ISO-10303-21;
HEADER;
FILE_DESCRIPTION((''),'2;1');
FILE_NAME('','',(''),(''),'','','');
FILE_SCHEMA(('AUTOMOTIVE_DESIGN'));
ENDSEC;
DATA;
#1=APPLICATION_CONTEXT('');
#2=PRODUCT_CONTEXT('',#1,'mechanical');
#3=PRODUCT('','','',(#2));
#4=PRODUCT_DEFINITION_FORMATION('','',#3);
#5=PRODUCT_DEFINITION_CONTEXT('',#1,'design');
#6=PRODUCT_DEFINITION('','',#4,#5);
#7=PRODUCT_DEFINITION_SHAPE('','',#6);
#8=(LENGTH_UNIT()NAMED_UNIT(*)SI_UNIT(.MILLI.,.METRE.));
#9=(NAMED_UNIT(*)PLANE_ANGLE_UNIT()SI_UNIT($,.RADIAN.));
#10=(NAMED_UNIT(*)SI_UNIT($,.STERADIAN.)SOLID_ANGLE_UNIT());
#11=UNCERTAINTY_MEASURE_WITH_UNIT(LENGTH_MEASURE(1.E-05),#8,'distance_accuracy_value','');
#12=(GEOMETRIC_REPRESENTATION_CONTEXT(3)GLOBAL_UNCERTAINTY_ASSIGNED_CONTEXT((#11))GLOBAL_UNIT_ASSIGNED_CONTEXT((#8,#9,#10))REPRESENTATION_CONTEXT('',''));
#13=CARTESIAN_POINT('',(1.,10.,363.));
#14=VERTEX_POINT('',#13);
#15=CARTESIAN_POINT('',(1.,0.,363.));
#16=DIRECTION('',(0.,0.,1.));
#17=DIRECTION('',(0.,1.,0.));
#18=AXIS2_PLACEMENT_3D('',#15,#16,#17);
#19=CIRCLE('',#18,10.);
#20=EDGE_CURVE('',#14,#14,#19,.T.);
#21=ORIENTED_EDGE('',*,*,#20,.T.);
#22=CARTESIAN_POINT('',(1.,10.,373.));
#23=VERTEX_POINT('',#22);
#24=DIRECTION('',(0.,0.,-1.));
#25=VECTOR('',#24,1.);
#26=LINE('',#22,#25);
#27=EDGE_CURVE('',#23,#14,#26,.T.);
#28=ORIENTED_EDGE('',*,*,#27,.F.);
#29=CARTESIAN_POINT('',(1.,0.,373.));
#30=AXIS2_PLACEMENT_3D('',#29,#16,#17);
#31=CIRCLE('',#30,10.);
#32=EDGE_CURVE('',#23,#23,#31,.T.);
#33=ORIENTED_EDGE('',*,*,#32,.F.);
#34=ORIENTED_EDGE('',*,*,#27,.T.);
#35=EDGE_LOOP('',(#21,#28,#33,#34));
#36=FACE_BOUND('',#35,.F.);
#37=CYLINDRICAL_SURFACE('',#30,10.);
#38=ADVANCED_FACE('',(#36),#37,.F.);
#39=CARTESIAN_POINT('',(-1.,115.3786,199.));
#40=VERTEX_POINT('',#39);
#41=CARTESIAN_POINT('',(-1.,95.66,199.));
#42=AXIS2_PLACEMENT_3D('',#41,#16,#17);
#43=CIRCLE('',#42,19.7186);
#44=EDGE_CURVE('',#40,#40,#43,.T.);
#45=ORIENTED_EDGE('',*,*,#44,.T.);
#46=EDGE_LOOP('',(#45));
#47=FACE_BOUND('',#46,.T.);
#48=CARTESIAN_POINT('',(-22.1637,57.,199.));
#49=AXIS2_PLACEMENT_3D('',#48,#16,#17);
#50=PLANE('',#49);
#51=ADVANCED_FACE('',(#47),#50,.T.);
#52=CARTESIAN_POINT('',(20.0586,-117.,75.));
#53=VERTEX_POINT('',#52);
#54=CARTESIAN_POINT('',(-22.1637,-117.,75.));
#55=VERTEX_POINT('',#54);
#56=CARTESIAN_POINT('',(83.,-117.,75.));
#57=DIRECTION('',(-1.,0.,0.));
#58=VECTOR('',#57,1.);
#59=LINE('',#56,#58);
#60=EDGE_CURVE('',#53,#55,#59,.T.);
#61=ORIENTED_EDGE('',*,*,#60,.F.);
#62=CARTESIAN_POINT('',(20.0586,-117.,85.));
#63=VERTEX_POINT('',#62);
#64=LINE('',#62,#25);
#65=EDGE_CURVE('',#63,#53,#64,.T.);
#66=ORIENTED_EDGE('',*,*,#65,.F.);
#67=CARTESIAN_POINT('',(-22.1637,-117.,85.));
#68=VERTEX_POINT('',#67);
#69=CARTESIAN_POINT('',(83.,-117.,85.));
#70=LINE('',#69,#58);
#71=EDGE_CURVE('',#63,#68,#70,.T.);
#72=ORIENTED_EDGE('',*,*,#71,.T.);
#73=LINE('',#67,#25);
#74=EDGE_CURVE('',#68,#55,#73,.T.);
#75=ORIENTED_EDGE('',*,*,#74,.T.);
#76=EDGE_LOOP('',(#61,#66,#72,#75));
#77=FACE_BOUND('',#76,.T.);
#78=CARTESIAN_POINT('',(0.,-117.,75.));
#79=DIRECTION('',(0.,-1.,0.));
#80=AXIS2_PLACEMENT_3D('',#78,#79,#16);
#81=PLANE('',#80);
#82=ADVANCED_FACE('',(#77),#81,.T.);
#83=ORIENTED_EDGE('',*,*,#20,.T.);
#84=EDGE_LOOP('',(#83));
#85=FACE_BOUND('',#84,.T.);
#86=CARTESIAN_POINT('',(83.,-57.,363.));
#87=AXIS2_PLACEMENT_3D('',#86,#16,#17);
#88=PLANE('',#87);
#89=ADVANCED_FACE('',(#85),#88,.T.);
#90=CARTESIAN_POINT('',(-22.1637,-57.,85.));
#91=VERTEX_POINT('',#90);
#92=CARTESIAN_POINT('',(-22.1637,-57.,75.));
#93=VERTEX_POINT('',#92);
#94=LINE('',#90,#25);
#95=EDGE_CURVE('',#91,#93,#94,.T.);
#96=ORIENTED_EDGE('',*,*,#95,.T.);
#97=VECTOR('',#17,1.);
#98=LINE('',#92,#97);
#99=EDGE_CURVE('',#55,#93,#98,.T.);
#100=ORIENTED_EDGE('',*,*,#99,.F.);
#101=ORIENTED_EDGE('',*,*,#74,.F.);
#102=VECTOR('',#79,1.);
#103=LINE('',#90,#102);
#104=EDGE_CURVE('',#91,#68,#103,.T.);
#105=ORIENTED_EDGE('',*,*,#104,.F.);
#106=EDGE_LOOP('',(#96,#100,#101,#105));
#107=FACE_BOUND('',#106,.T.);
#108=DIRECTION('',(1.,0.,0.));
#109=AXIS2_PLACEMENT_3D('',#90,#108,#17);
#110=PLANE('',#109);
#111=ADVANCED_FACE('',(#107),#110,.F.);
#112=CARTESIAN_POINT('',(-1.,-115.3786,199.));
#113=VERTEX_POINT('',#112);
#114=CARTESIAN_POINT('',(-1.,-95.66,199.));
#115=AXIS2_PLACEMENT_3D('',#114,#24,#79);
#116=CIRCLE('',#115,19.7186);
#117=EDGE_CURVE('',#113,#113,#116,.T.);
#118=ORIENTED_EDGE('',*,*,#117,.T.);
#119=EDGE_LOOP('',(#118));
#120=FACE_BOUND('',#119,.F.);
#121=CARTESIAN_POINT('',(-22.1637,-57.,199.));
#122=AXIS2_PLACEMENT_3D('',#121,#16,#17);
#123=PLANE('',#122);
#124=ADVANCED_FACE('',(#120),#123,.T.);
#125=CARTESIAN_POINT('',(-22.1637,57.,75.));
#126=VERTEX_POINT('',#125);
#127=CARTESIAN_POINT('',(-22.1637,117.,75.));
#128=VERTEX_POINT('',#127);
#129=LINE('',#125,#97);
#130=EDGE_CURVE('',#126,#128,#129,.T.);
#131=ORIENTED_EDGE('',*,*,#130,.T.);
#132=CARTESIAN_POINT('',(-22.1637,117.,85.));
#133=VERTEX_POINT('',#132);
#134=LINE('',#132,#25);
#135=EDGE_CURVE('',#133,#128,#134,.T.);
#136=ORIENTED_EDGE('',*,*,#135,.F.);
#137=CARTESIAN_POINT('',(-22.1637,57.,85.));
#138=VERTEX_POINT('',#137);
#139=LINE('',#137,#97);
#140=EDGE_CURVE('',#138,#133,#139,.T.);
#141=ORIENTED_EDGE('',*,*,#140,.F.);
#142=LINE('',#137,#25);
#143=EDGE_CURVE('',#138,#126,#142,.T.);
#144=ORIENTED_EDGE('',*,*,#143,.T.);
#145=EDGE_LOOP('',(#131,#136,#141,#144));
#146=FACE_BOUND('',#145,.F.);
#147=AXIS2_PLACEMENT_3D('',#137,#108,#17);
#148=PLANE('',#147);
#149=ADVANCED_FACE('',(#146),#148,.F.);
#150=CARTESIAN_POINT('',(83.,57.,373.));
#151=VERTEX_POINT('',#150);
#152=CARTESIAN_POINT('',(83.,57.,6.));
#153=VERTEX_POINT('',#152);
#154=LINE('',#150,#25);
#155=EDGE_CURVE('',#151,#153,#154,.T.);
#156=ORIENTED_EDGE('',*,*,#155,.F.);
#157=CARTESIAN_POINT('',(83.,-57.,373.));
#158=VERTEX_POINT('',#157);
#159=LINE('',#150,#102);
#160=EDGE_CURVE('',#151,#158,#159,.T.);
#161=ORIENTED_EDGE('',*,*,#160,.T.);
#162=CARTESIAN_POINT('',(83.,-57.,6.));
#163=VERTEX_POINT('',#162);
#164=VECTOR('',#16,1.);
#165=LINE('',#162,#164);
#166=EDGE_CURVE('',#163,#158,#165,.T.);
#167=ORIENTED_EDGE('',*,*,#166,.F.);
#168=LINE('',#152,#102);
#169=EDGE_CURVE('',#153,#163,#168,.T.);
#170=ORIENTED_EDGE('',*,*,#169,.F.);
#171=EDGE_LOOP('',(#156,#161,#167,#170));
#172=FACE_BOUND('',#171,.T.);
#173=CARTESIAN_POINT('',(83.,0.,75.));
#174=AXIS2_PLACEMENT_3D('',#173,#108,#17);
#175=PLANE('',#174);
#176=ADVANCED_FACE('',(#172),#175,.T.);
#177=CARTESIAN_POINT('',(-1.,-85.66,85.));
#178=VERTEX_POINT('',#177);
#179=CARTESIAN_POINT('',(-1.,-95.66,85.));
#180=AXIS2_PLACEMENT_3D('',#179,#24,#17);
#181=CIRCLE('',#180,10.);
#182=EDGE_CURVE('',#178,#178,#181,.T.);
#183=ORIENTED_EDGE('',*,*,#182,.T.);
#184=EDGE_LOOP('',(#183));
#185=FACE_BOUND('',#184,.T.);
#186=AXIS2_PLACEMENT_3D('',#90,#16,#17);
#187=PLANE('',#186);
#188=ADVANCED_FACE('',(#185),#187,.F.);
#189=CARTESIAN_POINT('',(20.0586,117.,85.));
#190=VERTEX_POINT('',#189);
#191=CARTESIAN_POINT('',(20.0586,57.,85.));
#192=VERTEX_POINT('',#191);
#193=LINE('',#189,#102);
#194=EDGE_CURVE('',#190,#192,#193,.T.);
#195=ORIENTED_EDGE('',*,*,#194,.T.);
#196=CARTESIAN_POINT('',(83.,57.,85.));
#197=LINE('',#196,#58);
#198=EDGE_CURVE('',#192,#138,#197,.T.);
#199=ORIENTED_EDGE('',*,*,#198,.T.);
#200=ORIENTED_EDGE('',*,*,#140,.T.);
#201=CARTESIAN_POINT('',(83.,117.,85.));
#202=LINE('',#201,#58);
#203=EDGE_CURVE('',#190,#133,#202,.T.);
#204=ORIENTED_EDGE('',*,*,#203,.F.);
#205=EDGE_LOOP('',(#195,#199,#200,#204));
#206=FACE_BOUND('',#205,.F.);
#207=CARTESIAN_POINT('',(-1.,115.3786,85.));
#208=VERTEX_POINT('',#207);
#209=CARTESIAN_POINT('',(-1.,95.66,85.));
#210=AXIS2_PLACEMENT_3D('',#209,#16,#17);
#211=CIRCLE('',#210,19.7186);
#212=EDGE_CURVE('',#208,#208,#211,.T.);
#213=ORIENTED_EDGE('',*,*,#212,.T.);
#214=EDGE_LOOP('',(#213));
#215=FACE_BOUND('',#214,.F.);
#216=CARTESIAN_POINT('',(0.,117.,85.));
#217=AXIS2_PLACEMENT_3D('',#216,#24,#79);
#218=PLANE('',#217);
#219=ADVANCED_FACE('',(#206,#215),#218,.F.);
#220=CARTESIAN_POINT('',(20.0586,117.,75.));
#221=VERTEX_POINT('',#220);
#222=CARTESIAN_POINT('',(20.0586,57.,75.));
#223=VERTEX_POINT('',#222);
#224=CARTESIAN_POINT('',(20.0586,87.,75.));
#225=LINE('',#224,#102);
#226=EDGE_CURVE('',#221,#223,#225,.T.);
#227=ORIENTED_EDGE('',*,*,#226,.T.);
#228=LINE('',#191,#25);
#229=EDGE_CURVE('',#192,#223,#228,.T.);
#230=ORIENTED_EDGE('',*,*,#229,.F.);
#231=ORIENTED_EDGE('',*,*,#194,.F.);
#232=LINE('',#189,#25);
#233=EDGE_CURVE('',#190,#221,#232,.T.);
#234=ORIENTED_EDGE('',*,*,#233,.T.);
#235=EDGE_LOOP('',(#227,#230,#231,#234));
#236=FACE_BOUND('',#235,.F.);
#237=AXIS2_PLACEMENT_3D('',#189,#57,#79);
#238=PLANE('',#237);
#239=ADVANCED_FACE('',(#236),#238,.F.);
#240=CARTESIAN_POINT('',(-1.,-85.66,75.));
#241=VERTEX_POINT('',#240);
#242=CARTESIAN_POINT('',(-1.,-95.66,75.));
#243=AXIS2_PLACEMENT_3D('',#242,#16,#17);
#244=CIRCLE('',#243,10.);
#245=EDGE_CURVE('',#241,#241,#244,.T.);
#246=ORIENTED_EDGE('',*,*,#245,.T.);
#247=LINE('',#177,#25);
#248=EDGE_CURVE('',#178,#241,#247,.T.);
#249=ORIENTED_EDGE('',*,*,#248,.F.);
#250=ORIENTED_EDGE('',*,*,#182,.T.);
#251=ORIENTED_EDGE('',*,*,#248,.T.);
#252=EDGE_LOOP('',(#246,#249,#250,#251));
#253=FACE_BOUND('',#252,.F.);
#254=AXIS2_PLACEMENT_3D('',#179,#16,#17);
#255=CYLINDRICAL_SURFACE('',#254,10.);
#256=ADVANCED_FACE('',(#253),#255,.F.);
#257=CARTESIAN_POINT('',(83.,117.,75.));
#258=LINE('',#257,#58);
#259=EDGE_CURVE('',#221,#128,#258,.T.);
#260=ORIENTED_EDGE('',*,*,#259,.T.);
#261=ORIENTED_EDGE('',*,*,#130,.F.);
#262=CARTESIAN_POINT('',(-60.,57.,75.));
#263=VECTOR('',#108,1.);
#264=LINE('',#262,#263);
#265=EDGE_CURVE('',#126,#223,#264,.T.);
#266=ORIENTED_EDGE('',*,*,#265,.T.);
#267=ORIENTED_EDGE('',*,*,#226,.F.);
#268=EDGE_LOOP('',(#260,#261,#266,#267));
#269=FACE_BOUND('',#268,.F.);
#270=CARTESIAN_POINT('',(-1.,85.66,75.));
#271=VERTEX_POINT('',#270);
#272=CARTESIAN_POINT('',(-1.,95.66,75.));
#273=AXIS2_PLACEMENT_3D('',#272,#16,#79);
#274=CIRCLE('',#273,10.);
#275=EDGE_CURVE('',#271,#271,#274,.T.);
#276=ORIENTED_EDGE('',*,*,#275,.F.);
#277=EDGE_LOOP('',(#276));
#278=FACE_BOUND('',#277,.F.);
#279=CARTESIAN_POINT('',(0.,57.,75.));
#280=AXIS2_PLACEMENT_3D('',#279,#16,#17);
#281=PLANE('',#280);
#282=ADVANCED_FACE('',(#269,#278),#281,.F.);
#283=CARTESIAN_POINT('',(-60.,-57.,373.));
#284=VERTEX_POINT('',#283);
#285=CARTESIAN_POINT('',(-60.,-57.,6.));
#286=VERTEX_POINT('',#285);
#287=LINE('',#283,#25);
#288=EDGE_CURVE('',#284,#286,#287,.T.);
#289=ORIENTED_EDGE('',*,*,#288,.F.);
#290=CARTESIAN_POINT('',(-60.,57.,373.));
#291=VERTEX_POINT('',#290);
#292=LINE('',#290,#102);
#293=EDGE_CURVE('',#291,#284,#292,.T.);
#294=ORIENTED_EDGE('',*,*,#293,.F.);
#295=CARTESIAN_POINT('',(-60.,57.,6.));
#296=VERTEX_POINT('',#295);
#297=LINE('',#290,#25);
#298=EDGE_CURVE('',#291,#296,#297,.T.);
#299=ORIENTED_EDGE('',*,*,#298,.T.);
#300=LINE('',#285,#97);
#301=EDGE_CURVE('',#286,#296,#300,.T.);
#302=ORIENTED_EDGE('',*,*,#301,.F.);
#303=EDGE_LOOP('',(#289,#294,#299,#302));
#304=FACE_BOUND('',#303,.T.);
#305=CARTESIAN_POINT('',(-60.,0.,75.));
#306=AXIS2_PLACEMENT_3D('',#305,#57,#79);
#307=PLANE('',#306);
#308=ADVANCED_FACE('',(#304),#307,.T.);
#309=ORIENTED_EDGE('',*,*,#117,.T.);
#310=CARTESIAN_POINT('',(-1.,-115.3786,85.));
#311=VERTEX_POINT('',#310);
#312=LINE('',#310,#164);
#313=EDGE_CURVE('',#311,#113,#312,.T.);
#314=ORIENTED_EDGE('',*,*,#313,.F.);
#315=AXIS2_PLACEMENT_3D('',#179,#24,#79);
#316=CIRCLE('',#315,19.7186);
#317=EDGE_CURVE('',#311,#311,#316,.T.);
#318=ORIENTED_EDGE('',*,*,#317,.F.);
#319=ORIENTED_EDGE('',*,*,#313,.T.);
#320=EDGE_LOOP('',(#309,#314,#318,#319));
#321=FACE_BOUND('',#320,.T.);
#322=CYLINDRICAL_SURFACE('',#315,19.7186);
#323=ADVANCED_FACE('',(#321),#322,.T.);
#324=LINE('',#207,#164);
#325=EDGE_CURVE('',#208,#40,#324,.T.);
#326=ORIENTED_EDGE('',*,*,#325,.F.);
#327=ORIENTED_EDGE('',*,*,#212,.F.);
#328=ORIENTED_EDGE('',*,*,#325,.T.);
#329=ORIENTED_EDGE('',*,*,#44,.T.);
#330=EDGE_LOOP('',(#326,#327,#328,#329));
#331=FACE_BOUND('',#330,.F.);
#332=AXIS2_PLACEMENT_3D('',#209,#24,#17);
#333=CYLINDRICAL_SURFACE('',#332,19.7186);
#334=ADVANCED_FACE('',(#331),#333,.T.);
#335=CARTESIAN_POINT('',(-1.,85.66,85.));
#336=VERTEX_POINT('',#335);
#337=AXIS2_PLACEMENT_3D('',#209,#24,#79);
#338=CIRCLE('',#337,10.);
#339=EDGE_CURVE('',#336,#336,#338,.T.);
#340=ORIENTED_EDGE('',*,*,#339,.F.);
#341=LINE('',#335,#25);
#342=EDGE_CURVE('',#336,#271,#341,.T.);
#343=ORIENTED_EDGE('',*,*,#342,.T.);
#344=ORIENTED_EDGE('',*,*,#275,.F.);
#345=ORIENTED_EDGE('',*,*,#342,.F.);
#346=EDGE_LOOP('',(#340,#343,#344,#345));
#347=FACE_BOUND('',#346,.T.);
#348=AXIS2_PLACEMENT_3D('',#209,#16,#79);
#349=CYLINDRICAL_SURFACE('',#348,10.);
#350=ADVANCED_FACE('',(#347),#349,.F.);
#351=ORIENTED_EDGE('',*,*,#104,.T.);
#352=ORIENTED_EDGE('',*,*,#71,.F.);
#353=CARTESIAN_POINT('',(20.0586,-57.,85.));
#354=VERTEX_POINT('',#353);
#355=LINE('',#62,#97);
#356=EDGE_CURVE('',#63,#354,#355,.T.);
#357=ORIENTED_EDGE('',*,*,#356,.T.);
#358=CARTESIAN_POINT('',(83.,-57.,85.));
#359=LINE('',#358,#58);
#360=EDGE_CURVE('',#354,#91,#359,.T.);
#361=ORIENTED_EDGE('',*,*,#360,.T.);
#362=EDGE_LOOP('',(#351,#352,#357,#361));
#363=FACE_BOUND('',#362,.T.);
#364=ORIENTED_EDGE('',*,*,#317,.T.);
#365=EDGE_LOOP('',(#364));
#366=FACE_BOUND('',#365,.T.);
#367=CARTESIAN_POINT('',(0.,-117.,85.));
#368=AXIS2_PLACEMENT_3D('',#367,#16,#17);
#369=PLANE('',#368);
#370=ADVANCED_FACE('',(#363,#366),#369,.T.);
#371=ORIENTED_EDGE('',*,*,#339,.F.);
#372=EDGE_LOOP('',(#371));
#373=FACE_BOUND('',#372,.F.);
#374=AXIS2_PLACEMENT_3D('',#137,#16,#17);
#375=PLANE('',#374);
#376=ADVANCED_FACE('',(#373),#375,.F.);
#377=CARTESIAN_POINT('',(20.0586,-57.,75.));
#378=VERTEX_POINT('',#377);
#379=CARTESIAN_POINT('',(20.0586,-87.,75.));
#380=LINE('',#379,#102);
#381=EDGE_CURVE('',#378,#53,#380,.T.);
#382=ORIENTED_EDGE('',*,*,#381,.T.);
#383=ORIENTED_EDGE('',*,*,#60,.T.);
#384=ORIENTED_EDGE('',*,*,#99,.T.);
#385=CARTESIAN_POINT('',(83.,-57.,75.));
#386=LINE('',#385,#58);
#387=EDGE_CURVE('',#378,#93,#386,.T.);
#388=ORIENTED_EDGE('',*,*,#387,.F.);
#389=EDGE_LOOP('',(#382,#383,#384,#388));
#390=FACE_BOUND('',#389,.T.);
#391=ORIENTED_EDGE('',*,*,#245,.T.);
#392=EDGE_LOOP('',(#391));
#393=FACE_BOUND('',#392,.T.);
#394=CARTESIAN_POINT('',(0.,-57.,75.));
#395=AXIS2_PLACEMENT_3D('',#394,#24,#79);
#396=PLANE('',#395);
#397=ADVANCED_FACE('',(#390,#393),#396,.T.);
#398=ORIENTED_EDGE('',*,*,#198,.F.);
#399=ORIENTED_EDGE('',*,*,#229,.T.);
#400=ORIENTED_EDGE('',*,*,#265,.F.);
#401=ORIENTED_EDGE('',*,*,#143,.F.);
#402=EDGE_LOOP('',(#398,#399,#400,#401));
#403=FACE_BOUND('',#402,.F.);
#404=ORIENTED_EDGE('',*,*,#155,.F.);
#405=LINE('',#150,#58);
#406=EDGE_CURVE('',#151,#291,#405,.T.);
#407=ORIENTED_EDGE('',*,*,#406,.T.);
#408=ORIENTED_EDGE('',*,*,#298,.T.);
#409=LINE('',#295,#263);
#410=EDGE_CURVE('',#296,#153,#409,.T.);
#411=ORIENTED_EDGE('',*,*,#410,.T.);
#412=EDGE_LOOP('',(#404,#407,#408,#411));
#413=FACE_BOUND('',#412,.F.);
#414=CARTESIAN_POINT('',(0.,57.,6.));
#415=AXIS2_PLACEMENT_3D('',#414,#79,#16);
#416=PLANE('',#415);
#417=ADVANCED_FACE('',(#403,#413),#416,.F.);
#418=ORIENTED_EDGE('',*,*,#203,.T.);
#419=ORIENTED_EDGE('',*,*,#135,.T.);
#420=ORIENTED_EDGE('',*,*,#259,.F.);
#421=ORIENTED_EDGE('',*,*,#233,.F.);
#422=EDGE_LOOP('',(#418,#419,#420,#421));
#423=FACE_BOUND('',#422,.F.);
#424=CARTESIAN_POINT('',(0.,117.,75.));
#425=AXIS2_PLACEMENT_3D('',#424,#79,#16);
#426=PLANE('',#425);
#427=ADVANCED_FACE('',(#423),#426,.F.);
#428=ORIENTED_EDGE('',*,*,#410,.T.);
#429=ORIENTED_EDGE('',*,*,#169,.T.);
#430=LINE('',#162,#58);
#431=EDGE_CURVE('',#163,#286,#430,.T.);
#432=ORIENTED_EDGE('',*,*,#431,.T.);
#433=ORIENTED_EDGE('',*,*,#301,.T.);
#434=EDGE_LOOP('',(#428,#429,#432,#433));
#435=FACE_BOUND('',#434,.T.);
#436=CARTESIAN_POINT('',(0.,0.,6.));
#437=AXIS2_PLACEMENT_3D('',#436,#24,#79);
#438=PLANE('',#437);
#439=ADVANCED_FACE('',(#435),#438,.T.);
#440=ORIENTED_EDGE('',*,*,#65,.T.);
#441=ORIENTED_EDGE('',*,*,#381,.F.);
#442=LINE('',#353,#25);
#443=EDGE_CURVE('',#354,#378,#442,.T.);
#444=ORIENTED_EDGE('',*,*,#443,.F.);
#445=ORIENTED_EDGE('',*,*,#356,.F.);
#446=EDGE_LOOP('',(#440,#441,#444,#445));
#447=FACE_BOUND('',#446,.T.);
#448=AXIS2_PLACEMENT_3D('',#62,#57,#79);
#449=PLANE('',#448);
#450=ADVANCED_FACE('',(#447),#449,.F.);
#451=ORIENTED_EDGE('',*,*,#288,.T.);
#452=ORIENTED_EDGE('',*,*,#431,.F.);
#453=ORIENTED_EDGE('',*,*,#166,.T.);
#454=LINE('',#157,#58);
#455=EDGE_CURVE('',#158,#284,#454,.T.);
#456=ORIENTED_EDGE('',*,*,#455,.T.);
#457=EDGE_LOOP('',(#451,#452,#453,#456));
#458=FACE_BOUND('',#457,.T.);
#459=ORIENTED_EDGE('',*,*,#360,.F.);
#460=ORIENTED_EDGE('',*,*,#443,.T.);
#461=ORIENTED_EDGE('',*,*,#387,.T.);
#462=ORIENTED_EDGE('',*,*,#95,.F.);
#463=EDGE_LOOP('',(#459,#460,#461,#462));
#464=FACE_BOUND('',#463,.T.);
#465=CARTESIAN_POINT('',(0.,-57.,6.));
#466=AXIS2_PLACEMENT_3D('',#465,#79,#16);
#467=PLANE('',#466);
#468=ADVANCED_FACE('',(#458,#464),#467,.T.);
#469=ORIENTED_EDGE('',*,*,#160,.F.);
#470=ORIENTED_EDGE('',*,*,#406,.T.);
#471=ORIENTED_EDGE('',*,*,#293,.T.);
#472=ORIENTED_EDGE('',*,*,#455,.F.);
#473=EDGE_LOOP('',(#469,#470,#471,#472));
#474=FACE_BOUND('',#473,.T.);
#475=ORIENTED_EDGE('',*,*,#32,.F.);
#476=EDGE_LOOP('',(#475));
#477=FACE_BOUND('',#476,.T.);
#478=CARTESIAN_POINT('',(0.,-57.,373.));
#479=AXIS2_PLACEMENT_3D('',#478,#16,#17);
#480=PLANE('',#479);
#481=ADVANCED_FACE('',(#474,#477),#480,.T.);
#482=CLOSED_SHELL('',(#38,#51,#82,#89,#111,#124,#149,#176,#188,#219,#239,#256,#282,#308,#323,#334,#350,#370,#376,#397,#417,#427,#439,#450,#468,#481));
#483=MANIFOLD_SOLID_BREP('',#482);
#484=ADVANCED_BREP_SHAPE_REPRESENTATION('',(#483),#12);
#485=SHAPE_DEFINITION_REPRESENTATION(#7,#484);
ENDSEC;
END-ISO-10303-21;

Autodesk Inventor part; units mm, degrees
ref_plane "YZ Plane" through (0, 0, 0) normal (1, 0, 0) x (0, 1, 0)
ref_plane "XZ Plane" through (0, 0, 0) normal (0, 1, 0) x (-1, 0, 0)
ref_plane "XY Plane" through (0, 0, 0) normal (0, 0, 1) x (1, 0, 0)
sketch "Sketch1" plane through (0, 0, 0) normal (0, 0, 1) x (1, 0, 0)
  line L0 (0, -69) -> (57, -69)
  line L1 (57, -69) -> (57, 0)
  line L2 (57, 0) -> (117, 0)
  line L3 (117, 0) -> (117, 10)
  line L4 (117, 10) -> (57, 10)
  line L5 (57, 10) -> (57, 298)
  line L6 (57, 298) -> (0, 298)
  line L7 (0, 298) -> (0, -69) construction
  line L8 (0, -69) -> (-57, -69)
  line L9 (-57, -69) -> (-57, 0)
  line L10 (-57, 0) -> (-117, 0)
  line L11 (-117, 0) -> (-117, 10)
  line L12 (-117, 10) -> (-57, 10)
  line L13 (-57, 10) -> (-57, 298)
  line L14 (-57, 298) -> (0, 298)
  point P0 (0, 0)
  dimension "d0" = 57
  dimension "d2" = 10
  dimension "d18" = 367
  dimension "d19" = 117
  dimension "d47" = 69
extrude "Extrusion1" add sketch "Sketch1" along normal blind 83
sketch "Sketch2" plane through (0, 0, 0) normal (0, 0, -1) x (-1, 0, 0)
  line L0 (57, -69) -> (-57, -69) projected
  line L1 (57, 0) -> (57, -69) projected
  line L2 (117, 0) -> (57, 0) projected
  line L3 (117, 10) -> (117, 0) projected
  line L4 (57, 10) -> (117, 10) projected
  line L5 (57, 298) -> (57, 10) projected
  line L6 (-57, 298) -> (57, 298) projected
  line L7 (-57, 10) -> (-57, 298) projected
  line L8 (-117, 10) -> (-57, 10) projected
  line L9 (-117, 0) -> (-117, 10) projected
  line L10 (-57, 0) -> (-117, 0) projected
  line L11 (-57, -69) -> (-57, 0) projected
  point P0 (0, 0)
extrude "Extrusion2" add sketch "Sketch2" along normal blind 60
sketch "Sketch3" plane through (-57, 298, 83) normal (0, 1, 0) x (1, 0, 0)
  circle A0 centre (57, 82) radius 10
  line L0 (0, 143) -> (114, 143) projected
  line L1 (57, 82) -> (57, 143) construction
  dimension "d10" = 20
  dimension "d51" = 61
extrude "Extrusion3" cut sketch "Sketch3" against normal blind 10
sketch "Sketch4" plane through (-117, 10, 83) normal (0, 1, 0) x (1, 0, 0)
  line L0 (0, 143) -> (60, 143) projected
  line L1 (0, 143) -> (0, 0) projected
  line L2 (21.34, 84) -> (21.34, 143)
  line L3 (118.34, 120.2658) -> (118.34, -20.3509) construction
  line L4 (21.34, 84) -> (118.34, 84) construction
  circle A0 centre (21.34, 84) radius 10
  point P0 (117, 83)
  dimension "d21" = 59
  dimension "d23" = 97
  dimension "d24" = 20
extrude "Extrusion4" cut sketch "Sketch4" against normal through all
mirror "Mirror1" about plane through (0, 0, 0) normal (1, 0, 0) of "Extrusion4"
sketch "Sketch5" plane through (57, 10, 83) normal (0, 1, 0) x (1, 0, 0)
  line L0 (0, 143) -> (0, 0) projected
  line L1 (60, 143) -> (60, 0) projected
  line L2 (60, 143) -> (0, 143)
  line L3 (0, 143) -> (0, 105.1637)
  line L4 (0, 105.1637) -> (60, 105.1637)
  line L5 (60, 105.1637) -> (60, 143)
  line L6 (0, 0) -> (60, 0)
  line L7 (60, 0) -> (60, 62.9414)
  line L8 (60, 62.9414) -> (0, 62.9414)
  line L9 (0, 62.9414) -> (0, 0)
  point P0 (-57, 83)
extrude "Extrusion5" cut sketch "Sketch5" against normal through all contours L2 L1 L4 L0 | L8 L1 L6 L0
mirror "Mirror2" about plane through (0, 0, 0) normal (1, 0, 0) of "Extrusion5"
sketch "Sketch6" plane through (57, 10, -22.1637) normal (0, 1, 0) x (1, 0, 0)
  circle A0 centre (38.66, -21.1637) radius 10 projected
  circle A1 centre (38.66, -21.1637) radius 19.7186
  point P0 (-57, -22.1637)
extrude "Extrusion6" add sketch "Sketch6" along normal blind 114 contours A0 | A1
mirror "Mirror3" about plane through (0, 0, 0) normal (1, 0, 0) of "Extrusion6"
move or copy body "Move Body3" bodies to move or copy 1 copy no rotation origin (0, 0, 0) rotation axis (0, 1, 0) rotation angle 90
move or copy body "Move Body4" bodies to move or copy 1 copy no rotation origin (0, 0, 0) rotation axis (1, 0, 0) rotation angle 90
move or copy body "Move Body8" bodies to move or copy 1 copy no translate (0, 0, 75)
properties part number "LowerTorso_v2"
